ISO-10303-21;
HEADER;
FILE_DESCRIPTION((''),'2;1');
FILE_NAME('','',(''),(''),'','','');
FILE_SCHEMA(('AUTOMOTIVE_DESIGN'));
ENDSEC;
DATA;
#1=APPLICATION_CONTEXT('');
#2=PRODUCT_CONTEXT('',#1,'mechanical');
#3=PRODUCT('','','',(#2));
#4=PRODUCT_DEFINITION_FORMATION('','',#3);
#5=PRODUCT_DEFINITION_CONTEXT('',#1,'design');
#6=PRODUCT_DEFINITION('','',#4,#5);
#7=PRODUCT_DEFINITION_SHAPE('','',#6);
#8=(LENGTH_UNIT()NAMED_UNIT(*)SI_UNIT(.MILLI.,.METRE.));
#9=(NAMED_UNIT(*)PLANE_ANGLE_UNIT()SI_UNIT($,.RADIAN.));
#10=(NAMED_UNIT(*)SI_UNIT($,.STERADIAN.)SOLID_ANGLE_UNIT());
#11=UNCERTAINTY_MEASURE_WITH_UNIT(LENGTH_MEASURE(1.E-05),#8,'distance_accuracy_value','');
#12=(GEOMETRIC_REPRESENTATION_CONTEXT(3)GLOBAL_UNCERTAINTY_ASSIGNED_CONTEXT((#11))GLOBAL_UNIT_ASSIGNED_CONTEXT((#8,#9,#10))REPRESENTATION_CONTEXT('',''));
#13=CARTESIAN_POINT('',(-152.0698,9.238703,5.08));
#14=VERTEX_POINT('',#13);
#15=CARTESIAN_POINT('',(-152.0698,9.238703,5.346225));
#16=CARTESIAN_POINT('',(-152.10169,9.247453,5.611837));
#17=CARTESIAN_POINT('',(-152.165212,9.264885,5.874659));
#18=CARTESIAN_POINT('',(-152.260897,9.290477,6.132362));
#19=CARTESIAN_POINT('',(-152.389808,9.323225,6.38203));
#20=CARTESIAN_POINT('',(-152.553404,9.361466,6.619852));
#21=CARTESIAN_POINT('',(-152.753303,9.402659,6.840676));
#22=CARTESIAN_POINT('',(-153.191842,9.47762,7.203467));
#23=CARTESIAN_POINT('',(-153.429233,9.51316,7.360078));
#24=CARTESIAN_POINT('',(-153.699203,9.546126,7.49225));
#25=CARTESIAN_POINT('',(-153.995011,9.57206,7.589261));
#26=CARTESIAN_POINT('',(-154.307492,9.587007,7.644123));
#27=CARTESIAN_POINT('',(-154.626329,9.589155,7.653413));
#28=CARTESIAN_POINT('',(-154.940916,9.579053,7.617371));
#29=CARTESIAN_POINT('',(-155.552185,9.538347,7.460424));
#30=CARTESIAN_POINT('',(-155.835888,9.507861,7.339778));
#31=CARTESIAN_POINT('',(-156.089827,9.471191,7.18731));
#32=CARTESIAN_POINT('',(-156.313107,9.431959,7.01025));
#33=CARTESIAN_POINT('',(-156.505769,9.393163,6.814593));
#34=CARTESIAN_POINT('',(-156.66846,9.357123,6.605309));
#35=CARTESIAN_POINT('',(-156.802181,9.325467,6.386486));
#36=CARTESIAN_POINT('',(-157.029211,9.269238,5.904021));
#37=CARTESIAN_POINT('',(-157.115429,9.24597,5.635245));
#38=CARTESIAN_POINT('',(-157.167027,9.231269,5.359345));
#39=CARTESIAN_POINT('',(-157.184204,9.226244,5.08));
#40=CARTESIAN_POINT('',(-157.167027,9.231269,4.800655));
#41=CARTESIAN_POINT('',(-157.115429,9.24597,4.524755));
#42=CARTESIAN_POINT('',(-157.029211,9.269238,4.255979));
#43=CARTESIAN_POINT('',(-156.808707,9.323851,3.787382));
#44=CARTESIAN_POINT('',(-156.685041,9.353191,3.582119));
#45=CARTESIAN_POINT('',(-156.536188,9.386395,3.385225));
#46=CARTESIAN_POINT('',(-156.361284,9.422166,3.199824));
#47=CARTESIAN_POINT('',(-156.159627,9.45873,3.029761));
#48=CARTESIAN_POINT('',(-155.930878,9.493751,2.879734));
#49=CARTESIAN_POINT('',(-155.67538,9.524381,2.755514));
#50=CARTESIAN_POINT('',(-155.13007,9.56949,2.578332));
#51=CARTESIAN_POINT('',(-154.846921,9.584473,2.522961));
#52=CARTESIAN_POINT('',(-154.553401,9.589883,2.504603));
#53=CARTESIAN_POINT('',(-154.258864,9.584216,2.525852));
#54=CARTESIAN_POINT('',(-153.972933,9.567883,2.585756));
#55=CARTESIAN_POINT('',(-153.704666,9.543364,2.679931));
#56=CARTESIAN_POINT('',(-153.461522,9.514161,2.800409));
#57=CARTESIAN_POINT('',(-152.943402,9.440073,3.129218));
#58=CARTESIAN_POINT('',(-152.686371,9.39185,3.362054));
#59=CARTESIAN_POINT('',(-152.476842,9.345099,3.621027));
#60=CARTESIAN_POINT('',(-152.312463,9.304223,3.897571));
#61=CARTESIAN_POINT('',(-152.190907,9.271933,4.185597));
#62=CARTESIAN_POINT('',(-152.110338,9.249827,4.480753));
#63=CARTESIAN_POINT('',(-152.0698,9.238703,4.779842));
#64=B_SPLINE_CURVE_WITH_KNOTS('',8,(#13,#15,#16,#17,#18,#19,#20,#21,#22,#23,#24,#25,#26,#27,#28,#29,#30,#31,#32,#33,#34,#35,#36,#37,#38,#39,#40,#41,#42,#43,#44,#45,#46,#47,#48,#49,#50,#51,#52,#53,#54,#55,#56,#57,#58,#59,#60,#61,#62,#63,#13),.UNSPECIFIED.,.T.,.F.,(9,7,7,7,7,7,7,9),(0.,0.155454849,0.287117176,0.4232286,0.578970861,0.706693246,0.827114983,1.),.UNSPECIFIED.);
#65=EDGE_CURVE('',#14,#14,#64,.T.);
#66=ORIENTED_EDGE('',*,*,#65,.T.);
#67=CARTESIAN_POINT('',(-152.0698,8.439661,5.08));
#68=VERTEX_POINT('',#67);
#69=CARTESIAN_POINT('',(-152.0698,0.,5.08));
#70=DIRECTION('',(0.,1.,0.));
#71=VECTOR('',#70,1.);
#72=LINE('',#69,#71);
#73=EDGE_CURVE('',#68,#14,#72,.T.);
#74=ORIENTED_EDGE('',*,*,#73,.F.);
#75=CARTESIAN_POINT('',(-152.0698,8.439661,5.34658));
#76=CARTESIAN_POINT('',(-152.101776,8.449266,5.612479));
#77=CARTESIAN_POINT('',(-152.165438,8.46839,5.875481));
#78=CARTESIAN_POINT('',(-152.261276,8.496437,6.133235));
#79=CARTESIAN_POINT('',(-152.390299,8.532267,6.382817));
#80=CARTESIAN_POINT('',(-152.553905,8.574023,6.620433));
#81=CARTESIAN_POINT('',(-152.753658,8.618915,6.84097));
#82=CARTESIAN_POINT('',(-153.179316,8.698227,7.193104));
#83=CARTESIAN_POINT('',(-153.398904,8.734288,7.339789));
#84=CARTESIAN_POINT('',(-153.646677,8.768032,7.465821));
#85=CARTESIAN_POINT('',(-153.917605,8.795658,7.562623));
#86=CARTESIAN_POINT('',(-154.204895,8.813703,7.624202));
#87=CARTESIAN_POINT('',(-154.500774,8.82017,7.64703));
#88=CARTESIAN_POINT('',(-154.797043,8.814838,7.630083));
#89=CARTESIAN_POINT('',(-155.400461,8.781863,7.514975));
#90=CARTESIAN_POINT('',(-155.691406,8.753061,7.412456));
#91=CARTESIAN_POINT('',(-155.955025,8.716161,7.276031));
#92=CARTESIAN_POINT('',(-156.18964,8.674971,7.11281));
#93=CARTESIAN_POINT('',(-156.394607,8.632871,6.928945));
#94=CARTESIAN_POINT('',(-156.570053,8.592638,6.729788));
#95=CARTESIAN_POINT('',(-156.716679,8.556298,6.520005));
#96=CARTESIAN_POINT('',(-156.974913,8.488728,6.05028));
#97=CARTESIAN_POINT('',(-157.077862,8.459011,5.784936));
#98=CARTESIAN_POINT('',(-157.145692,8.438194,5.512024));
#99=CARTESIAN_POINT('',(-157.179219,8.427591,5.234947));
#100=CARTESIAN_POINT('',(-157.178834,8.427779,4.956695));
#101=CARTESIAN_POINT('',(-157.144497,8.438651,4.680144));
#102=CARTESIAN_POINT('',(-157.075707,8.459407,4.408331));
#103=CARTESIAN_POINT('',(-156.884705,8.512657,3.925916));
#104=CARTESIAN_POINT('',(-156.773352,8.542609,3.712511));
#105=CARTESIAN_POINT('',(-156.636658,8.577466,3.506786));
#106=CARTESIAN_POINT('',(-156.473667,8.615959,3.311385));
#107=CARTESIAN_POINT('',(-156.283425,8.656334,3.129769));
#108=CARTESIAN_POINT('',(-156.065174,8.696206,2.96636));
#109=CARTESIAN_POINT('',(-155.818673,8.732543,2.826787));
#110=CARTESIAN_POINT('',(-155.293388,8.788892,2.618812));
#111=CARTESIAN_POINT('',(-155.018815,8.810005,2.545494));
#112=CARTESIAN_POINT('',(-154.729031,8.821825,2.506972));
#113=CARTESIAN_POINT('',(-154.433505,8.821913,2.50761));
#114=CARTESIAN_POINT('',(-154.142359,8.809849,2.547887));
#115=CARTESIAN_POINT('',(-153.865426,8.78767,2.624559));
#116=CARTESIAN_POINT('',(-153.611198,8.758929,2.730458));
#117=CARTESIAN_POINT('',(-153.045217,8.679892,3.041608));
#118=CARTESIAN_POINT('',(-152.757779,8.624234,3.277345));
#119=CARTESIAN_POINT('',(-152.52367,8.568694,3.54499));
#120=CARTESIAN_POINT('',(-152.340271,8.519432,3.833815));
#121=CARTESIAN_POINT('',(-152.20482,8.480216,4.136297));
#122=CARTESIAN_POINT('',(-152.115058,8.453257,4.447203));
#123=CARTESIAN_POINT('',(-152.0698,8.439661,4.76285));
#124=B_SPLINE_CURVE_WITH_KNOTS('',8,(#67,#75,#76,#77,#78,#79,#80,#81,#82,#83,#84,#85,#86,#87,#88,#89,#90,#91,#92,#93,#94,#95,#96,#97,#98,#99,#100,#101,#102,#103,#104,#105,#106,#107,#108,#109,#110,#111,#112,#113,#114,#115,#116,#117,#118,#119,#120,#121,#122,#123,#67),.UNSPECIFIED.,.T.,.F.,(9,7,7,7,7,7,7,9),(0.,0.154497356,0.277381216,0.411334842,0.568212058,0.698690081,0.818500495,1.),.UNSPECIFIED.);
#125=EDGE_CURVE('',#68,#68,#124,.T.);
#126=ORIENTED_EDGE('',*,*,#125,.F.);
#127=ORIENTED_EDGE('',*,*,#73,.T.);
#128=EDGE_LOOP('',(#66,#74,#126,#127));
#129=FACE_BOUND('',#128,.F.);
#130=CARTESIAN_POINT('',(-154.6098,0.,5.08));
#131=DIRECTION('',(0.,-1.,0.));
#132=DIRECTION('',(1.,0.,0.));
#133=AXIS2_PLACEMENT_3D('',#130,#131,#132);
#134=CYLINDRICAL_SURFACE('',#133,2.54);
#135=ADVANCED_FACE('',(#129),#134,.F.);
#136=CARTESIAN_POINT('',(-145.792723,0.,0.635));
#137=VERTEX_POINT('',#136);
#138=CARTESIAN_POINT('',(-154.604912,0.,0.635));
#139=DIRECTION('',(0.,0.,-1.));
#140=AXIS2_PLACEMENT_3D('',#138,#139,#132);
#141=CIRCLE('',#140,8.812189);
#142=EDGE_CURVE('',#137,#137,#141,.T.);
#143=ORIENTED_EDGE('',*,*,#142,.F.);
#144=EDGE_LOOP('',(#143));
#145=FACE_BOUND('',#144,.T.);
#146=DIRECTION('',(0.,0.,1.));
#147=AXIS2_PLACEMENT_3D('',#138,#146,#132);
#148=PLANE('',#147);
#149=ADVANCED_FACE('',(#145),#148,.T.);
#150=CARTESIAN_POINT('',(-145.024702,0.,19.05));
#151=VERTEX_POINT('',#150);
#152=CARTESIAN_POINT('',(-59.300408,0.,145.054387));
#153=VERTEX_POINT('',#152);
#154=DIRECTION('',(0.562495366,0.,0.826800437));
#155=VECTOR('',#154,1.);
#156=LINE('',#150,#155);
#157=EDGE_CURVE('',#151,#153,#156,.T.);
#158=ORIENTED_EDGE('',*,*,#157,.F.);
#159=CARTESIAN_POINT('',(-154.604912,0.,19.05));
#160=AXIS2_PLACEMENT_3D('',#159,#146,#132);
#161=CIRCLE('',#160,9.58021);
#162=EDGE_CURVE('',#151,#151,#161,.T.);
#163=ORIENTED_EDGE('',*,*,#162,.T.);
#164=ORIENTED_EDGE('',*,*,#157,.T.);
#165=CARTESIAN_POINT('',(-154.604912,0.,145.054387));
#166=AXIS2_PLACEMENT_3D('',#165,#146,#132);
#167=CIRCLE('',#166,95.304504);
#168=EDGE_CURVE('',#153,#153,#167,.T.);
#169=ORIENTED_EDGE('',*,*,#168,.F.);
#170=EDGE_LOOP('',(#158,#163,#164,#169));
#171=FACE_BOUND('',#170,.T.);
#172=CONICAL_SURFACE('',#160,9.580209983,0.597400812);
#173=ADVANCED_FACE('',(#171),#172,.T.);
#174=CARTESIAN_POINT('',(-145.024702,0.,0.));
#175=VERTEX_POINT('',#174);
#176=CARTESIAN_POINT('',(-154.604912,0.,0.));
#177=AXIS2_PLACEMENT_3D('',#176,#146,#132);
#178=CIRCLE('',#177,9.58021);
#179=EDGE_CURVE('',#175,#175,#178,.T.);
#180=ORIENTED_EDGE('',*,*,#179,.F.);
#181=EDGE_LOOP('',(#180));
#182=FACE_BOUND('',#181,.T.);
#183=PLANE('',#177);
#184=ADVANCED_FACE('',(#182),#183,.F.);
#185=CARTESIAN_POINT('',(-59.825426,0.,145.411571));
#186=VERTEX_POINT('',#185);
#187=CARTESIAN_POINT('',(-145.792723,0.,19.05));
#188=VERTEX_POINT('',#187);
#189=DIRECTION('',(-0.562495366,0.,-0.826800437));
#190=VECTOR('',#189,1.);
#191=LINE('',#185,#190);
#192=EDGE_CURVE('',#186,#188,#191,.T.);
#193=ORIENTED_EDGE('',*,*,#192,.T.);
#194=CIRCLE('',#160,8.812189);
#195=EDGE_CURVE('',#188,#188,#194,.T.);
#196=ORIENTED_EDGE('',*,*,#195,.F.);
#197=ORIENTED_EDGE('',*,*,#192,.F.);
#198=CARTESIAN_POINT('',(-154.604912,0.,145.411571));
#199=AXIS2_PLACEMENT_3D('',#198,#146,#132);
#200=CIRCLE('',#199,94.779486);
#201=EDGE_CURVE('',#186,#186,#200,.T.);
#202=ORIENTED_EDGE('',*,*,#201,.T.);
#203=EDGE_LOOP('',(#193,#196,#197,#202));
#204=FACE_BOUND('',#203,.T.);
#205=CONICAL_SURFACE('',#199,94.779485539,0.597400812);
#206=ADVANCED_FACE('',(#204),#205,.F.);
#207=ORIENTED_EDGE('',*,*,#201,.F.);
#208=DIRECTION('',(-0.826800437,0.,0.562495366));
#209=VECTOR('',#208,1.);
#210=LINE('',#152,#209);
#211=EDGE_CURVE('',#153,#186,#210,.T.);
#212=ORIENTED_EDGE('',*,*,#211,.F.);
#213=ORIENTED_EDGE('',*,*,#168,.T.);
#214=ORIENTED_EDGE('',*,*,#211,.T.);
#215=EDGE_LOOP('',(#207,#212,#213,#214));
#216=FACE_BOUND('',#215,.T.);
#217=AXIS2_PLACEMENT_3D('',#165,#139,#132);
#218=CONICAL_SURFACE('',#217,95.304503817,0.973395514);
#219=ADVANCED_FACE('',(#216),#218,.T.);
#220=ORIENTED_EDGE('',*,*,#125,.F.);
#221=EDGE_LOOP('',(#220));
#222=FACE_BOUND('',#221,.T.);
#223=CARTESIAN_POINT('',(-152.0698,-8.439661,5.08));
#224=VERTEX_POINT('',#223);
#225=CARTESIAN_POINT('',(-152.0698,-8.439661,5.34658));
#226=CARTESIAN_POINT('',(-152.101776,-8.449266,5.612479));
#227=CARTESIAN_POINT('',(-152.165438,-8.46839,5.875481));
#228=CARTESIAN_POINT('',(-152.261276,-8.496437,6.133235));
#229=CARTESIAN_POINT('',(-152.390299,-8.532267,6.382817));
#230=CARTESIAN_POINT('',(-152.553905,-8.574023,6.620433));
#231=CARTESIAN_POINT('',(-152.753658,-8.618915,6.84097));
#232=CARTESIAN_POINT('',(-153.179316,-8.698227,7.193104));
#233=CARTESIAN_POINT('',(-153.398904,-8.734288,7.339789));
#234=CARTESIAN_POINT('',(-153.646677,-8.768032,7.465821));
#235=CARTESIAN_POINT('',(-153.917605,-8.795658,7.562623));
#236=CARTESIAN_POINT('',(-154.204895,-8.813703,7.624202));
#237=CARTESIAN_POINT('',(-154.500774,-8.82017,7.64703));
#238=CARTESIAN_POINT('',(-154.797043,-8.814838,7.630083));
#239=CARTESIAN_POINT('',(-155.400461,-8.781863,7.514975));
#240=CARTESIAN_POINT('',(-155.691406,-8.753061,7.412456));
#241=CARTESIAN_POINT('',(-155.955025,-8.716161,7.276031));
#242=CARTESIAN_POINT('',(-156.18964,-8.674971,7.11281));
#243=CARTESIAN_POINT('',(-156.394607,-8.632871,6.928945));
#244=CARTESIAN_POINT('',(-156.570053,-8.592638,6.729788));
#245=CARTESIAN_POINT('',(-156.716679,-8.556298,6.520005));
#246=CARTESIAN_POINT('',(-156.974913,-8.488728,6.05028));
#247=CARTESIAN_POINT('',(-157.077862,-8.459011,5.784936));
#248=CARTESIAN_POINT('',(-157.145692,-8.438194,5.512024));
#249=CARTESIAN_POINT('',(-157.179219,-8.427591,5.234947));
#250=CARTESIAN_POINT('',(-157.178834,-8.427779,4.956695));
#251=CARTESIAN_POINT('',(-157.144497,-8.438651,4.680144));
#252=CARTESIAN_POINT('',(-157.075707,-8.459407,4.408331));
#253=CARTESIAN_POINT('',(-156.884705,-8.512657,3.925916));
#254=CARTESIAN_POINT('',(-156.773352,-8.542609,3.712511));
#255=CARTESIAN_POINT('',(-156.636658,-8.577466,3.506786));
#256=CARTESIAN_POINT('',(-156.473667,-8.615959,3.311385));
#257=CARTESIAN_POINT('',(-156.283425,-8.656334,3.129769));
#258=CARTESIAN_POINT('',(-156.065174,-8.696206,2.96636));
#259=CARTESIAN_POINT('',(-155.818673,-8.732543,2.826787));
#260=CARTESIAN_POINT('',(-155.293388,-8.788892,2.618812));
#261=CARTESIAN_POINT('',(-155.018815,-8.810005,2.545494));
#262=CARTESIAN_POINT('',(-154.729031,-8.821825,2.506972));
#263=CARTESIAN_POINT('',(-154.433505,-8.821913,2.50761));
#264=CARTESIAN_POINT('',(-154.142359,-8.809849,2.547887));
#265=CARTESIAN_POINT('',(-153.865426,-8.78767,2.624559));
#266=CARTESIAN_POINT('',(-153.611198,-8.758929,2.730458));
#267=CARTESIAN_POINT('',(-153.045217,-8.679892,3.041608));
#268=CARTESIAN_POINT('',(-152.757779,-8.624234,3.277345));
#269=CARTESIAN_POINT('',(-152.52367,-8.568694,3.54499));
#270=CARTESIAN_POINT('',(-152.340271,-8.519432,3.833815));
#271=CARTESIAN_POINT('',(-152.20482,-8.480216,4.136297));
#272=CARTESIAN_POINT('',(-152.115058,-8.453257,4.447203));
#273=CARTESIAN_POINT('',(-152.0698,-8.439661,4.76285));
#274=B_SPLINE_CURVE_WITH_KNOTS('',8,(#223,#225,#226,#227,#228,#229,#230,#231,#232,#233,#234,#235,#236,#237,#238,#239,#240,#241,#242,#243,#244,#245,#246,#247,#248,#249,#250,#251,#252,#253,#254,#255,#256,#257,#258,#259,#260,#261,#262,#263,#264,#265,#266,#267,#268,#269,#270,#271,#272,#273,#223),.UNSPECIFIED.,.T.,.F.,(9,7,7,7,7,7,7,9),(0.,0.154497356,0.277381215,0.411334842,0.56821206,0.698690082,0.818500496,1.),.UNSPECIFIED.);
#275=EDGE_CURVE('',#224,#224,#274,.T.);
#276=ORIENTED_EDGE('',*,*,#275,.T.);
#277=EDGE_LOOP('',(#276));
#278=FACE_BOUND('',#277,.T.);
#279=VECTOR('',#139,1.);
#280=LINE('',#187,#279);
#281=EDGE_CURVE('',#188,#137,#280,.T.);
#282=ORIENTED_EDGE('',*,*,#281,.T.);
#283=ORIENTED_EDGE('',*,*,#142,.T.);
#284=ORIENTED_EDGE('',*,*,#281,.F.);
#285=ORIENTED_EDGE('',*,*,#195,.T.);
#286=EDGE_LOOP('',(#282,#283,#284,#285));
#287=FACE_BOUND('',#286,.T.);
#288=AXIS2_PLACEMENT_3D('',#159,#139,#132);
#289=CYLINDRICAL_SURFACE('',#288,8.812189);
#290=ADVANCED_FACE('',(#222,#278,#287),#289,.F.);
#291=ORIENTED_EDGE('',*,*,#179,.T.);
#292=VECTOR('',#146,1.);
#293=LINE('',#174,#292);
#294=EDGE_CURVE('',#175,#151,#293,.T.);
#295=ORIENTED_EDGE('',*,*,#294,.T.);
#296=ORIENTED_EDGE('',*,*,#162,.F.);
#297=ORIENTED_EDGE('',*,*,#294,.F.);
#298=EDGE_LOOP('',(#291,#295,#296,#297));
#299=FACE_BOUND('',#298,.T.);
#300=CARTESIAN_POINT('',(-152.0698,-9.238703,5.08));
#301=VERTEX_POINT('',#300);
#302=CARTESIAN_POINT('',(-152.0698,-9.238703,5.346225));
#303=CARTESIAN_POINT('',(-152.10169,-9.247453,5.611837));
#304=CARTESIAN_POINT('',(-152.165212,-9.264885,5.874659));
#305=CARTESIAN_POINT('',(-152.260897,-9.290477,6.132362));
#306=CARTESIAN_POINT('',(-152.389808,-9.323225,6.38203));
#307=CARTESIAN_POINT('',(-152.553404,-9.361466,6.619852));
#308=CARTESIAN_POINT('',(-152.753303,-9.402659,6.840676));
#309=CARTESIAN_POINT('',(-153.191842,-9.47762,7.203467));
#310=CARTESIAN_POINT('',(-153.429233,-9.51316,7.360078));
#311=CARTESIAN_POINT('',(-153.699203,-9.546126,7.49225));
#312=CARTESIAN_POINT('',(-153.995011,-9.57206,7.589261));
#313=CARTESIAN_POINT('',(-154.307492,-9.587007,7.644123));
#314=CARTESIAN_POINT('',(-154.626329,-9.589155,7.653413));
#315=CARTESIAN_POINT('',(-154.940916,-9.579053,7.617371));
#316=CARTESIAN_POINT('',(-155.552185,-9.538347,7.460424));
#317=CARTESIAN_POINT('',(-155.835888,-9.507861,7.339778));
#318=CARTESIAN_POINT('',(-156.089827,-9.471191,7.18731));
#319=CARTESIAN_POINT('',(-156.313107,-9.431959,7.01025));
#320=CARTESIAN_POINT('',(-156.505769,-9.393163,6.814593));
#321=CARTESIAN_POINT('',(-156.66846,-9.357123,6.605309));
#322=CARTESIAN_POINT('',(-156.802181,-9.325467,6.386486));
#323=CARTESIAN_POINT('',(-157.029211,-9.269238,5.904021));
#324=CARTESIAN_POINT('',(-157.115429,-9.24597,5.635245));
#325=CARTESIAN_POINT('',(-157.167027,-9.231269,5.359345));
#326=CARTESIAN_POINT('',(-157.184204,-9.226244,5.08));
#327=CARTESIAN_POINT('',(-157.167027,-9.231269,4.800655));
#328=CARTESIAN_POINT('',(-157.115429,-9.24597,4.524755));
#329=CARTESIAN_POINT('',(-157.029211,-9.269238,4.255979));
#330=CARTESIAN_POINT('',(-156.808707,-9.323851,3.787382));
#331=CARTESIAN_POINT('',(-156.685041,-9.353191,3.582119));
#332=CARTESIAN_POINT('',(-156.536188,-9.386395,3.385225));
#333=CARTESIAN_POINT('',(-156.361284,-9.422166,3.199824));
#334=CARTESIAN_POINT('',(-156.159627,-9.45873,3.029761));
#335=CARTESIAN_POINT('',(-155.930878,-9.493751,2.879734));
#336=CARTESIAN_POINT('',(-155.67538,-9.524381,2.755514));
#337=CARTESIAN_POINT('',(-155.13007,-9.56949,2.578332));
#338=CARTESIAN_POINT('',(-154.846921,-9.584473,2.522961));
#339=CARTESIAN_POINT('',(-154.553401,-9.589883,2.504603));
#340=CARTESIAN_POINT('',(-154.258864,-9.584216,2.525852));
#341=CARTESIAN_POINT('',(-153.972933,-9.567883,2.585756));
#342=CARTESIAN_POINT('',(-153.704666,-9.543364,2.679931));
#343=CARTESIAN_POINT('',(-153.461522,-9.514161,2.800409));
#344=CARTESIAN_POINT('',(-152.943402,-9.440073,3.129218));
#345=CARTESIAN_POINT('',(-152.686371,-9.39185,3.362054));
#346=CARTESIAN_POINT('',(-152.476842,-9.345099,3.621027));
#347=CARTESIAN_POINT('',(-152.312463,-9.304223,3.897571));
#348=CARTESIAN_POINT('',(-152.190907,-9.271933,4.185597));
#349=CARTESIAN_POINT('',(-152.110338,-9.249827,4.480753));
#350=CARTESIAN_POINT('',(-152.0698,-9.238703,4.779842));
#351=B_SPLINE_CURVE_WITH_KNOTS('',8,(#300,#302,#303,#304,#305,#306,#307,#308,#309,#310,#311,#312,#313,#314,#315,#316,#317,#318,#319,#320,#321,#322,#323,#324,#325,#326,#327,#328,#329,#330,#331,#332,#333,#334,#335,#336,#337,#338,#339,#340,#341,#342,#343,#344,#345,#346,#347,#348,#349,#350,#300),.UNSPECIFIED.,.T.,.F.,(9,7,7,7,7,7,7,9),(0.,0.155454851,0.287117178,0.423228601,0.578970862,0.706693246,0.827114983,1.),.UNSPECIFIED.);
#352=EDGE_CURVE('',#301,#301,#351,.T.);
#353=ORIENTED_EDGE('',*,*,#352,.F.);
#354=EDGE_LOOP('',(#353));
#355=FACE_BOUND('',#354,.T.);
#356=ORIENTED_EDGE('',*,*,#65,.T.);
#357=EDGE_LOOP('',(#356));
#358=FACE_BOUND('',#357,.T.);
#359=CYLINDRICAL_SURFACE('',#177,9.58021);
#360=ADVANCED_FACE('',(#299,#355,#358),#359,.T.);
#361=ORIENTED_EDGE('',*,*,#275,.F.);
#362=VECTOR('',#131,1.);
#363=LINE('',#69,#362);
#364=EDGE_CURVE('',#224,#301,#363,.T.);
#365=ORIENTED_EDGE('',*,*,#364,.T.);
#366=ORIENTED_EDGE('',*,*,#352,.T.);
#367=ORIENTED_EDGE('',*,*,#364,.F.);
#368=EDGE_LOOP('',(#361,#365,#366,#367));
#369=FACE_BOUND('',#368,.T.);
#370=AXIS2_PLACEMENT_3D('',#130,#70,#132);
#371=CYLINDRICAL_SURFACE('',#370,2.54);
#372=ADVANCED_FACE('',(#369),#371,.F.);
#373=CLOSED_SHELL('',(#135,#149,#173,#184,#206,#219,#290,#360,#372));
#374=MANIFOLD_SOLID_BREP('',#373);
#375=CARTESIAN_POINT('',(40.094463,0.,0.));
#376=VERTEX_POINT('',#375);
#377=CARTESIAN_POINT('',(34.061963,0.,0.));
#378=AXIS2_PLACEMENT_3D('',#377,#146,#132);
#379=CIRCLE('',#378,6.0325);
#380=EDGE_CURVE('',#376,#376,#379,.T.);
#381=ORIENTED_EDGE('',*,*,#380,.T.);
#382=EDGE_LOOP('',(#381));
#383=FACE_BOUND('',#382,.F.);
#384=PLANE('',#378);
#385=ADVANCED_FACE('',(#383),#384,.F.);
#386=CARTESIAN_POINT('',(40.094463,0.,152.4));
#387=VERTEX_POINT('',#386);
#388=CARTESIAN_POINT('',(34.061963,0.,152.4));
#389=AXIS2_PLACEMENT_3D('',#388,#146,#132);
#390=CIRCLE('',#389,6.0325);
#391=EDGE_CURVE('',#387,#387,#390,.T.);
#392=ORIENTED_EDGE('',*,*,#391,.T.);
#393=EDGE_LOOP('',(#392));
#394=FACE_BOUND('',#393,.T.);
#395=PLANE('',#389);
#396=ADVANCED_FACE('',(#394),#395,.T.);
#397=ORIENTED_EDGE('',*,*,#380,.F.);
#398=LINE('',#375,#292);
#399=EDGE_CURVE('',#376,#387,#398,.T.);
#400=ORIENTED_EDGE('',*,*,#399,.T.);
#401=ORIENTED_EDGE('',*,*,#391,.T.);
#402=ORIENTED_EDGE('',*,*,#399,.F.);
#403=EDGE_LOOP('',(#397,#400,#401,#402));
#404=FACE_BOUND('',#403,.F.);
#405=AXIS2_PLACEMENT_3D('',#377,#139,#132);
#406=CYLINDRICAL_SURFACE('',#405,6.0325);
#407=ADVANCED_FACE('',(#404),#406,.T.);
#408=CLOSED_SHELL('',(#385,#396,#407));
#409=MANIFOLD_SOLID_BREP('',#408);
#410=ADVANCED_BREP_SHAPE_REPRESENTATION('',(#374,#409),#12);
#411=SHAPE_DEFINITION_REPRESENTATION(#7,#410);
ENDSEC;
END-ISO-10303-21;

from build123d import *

# Parameters (mm, degrees)
F0_R           = 6.35
F1_DEPTH       = 0.635
F2_R           = 6.35
F2_R_2         = 5.715
F3_DEPTH       = 12.7
F4_R           = 2.2225
F5_DEPTH       = 6.351
F5_DEPTH_BACK  = 6.351
F6_R           = 6.0325
F7_DEPTH       = 152.4
F12_R          = 2.54
F13_DEPTH      = 95.3055038166
F13_DEPTH_BACK = 95.3055038166
F9_R           = 9.580209983
F14_DEPTH      = 0.635


with BuildPart() as f1:
    # F0 (on Top) → F1 (new body)
    with BuildSketch(Plane.XY):
        Circle(F0_R)
    extrude(amount=F1_DEPTH)

    # F2 (on face) → F3 (join)
    with BuildSketch(Plane.XY.offset(0.635)):
        Circle(F2_R)
        Circle(F2_R_2, mode=Mode.SUBTRACT)
    extrude(amount=F3_DEPTH)

    # F4 (on Front) → F5 (cut, two sides)
    with BuildSketch(Plane.XZ) as f5_sk:
        with Locations((0, 3.175)):
            Circle(F4_R)
    extrude(amount=-F5_DEPTH, mode=Mode.SUBTRACT)
    extrude(f5_sk.sketch, amount=F5_DEPTH_BACK, mode=Mode.SUBTRACT)


with BuildPart() as f7:
    # F6 (on Top) → F7 (new body)
    with BuildSketch(Plane.XY):
        with Locations((34.0619625497, 0)):
            Circle(F6_R)
    extrude(amount=F7_DEPTH)


with BuildPart() as f10:
    # F8 (on Front) → F10 (revolve)
    with BuildSketch(Plane.XZ):
        Polygon((-145.792722702, 19.05), (-145.792722702, 0), (-145.0247018212, 0), (-145.0247018212, 19.05), (-59.3004079876, 145.054386617), (-59.8254262651, 145.4115711746), align=None)
    revolve(axis=Axis((-154.6049118042, 0, 0), (0, 0, 1)))

    # F12 (on Front) → F13 (cut, two sides)
    with BuildSketch(Plane.XZ) as f13_sk:
        with Locations((-154.6098, 5.08)):
            Circle(F12_R)
    extrude(amount=-F13_DEPTH, mode=Mode.SUBTRACT)
    extrude(f13_sk.sketch, amount=F13_DEPTH_BACK, mode=Mode.SUBTRACT)

    # F9 (on Top) → F14 (join)
    with BuildSketch(Plane.XY):
        with Locations((-154.6049118042, 0)):
            Circle(F9_R)
    extrude(amount=F14_DEPTH)


solid = Compound([f7.part, f10.part])
